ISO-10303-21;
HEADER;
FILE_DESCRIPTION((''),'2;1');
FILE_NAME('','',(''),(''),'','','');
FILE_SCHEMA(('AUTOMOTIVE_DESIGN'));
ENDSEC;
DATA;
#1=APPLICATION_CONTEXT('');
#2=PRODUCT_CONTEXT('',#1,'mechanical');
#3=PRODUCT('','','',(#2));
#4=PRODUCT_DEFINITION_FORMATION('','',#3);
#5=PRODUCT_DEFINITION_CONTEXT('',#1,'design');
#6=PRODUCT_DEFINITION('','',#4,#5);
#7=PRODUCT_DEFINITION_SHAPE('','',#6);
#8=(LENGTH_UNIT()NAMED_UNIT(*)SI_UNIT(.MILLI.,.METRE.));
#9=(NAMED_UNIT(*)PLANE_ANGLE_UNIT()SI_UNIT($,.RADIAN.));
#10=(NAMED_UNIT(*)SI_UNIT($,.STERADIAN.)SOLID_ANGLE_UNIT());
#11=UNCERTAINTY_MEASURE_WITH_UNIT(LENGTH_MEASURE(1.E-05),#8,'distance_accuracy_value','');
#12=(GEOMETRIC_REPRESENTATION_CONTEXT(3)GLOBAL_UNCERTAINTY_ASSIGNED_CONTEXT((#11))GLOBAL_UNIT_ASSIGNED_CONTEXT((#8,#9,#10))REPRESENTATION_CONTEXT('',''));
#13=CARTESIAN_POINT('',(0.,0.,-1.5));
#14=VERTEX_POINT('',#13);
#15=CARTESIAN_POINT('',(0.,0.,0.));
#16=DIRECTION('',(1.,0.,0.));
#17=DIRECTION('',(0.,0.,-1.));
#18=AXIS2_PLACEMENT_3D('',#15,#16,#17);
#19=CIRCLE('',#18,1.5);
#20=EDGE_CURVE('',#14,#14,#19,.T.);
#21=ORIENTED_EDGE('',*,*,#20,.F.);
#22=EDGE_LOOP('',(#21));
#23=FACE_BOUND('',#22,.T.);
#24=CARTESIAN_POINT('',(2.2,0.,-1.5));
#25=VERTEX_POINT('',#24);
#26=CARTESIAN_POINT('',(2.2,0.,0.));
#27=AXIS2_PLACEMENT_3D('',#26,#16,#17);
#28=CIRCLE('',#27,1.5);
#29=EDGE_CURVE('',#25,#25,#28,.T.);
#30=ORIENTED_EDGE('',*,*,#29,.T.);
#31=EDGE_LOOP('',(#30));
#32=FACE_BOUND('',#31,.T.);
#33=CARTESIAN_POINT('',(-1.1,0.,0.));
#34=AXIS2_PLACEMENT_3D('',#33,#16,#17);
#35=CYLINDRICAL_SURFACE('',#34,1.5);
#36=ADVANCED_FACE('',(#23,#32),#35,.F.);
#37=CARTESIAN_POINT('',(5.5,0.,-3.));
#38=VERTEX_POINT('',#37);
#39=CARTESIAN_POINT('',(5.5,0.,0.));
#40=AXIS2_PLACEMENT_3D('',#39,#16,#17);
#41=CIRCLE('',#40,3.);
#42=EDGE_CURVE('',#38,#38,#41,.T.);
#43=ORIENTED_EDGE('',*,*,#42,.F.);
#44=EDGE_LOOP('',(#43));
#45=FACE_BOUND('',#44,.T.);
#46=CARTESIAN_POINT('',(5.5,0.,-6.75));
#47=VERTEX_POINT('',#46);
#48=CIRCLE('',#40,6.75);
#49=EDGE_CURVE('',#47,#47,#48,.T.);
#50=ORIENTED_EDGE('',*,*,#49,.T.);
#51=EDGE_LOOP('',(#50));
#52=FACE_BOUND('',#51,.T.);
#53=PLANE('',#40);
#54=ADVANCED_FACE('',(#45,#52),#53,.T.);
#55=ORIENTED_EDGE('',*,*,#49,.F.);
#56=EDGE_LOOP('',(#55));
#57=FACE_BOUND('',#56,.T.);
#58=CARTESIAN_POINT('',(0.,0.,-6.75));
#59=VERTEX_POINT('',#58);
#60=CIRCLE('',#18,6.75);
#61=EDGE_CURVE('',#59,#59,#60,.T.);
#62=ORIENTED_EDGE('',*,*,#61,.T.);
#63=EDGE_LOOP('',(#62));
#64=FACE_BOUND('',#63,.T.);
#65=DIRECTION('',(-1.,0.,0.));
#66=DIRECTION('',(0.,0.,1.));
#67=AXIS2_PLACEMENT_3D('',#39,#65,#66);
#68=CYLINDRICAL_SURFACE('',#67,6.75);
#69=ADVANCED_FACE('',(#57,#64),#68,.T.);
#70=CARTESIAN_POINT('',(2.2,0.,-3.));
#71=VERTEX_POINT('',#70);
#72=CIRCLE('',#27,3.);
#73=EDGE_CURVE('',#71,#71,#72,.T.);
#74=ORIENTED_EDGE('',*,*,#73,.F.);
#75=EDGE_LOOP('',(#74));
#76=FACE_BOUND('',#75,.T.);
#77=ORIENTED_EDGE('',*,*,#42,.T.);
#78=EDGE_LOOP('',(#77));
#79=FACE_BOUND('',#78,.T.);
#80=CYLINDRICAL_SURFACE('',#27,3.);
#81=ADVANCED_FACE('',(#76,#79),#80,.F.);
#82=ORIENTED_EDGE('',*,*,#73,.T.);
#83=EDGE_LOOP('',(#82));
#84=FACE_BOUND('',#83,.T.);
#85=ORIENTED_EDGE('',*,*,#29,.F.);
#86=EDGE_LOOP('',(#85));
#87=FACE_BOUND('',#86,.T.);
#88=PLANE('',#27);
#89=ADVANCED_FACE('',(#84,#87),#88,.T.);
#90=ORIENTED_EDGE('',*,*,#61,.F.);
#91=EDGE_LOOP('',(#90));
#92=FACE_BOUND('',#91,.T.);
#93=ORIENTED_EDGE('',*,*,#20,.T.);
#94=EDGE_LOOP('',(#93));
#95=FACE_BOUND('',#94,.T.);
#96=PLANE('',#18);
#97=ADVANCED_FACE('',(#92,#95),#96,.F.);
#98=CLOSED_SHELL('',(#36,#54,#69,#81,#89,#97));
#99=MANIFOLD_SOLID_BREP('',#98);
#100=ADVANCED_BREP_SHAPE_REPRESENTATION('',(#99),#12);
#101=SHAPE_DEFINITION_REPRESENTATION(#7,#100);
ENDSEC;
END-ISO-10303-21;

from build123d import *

# Parameters (mm, degrees)
SKETCH1_R           = 6.75
BOSS_EXTRUDE1_DEPTH = 5.5
SKETCH2_R           = 3
CUT_EXTRUDE1_DEPTH  = 3.3
SKETCH3_R           = 1.5
CUT_EXTRUDE2_DEPTH  = 3.3


with BuildPart() as part:
    # Sketch1 → Boss-Extrude1 (new body)
    with BuildSketch(Plane(origin=(0, 0, 0), x_dir=(0, 0, -1), z_dir=(1, 0, 0))):
        Circle(SKETCH1_R)
    extrude(amount=BOSS_EXTRUDE1_DEPTH)

    # Sketch2 → Cut-Extrude1 (cut)
    with BuildSketch(Plane(origin=(5.5, 0, 0), x_dir=(0, 0, -1), z_dir=(1, 0, 0))):
        Circle(SKETCH2_R)
    extrude(amount=-CUT_EXTRUDE1_DEPTH, mode=Mode.SUBTRACT)

    # Sketch3 → Cut-Extrude2 (cut)
    with BuildSketch(Plane(origin=(2.2, 0, 0), x_dir=(0, 0, -1), z_dir=(1, 0, 0))):
        Circle(SKETCH3_R)
    extrude(amount=-CUT_EXTRUDE2_DEPTH, mode=Mode.SUBTRACT)


solid = part.part
